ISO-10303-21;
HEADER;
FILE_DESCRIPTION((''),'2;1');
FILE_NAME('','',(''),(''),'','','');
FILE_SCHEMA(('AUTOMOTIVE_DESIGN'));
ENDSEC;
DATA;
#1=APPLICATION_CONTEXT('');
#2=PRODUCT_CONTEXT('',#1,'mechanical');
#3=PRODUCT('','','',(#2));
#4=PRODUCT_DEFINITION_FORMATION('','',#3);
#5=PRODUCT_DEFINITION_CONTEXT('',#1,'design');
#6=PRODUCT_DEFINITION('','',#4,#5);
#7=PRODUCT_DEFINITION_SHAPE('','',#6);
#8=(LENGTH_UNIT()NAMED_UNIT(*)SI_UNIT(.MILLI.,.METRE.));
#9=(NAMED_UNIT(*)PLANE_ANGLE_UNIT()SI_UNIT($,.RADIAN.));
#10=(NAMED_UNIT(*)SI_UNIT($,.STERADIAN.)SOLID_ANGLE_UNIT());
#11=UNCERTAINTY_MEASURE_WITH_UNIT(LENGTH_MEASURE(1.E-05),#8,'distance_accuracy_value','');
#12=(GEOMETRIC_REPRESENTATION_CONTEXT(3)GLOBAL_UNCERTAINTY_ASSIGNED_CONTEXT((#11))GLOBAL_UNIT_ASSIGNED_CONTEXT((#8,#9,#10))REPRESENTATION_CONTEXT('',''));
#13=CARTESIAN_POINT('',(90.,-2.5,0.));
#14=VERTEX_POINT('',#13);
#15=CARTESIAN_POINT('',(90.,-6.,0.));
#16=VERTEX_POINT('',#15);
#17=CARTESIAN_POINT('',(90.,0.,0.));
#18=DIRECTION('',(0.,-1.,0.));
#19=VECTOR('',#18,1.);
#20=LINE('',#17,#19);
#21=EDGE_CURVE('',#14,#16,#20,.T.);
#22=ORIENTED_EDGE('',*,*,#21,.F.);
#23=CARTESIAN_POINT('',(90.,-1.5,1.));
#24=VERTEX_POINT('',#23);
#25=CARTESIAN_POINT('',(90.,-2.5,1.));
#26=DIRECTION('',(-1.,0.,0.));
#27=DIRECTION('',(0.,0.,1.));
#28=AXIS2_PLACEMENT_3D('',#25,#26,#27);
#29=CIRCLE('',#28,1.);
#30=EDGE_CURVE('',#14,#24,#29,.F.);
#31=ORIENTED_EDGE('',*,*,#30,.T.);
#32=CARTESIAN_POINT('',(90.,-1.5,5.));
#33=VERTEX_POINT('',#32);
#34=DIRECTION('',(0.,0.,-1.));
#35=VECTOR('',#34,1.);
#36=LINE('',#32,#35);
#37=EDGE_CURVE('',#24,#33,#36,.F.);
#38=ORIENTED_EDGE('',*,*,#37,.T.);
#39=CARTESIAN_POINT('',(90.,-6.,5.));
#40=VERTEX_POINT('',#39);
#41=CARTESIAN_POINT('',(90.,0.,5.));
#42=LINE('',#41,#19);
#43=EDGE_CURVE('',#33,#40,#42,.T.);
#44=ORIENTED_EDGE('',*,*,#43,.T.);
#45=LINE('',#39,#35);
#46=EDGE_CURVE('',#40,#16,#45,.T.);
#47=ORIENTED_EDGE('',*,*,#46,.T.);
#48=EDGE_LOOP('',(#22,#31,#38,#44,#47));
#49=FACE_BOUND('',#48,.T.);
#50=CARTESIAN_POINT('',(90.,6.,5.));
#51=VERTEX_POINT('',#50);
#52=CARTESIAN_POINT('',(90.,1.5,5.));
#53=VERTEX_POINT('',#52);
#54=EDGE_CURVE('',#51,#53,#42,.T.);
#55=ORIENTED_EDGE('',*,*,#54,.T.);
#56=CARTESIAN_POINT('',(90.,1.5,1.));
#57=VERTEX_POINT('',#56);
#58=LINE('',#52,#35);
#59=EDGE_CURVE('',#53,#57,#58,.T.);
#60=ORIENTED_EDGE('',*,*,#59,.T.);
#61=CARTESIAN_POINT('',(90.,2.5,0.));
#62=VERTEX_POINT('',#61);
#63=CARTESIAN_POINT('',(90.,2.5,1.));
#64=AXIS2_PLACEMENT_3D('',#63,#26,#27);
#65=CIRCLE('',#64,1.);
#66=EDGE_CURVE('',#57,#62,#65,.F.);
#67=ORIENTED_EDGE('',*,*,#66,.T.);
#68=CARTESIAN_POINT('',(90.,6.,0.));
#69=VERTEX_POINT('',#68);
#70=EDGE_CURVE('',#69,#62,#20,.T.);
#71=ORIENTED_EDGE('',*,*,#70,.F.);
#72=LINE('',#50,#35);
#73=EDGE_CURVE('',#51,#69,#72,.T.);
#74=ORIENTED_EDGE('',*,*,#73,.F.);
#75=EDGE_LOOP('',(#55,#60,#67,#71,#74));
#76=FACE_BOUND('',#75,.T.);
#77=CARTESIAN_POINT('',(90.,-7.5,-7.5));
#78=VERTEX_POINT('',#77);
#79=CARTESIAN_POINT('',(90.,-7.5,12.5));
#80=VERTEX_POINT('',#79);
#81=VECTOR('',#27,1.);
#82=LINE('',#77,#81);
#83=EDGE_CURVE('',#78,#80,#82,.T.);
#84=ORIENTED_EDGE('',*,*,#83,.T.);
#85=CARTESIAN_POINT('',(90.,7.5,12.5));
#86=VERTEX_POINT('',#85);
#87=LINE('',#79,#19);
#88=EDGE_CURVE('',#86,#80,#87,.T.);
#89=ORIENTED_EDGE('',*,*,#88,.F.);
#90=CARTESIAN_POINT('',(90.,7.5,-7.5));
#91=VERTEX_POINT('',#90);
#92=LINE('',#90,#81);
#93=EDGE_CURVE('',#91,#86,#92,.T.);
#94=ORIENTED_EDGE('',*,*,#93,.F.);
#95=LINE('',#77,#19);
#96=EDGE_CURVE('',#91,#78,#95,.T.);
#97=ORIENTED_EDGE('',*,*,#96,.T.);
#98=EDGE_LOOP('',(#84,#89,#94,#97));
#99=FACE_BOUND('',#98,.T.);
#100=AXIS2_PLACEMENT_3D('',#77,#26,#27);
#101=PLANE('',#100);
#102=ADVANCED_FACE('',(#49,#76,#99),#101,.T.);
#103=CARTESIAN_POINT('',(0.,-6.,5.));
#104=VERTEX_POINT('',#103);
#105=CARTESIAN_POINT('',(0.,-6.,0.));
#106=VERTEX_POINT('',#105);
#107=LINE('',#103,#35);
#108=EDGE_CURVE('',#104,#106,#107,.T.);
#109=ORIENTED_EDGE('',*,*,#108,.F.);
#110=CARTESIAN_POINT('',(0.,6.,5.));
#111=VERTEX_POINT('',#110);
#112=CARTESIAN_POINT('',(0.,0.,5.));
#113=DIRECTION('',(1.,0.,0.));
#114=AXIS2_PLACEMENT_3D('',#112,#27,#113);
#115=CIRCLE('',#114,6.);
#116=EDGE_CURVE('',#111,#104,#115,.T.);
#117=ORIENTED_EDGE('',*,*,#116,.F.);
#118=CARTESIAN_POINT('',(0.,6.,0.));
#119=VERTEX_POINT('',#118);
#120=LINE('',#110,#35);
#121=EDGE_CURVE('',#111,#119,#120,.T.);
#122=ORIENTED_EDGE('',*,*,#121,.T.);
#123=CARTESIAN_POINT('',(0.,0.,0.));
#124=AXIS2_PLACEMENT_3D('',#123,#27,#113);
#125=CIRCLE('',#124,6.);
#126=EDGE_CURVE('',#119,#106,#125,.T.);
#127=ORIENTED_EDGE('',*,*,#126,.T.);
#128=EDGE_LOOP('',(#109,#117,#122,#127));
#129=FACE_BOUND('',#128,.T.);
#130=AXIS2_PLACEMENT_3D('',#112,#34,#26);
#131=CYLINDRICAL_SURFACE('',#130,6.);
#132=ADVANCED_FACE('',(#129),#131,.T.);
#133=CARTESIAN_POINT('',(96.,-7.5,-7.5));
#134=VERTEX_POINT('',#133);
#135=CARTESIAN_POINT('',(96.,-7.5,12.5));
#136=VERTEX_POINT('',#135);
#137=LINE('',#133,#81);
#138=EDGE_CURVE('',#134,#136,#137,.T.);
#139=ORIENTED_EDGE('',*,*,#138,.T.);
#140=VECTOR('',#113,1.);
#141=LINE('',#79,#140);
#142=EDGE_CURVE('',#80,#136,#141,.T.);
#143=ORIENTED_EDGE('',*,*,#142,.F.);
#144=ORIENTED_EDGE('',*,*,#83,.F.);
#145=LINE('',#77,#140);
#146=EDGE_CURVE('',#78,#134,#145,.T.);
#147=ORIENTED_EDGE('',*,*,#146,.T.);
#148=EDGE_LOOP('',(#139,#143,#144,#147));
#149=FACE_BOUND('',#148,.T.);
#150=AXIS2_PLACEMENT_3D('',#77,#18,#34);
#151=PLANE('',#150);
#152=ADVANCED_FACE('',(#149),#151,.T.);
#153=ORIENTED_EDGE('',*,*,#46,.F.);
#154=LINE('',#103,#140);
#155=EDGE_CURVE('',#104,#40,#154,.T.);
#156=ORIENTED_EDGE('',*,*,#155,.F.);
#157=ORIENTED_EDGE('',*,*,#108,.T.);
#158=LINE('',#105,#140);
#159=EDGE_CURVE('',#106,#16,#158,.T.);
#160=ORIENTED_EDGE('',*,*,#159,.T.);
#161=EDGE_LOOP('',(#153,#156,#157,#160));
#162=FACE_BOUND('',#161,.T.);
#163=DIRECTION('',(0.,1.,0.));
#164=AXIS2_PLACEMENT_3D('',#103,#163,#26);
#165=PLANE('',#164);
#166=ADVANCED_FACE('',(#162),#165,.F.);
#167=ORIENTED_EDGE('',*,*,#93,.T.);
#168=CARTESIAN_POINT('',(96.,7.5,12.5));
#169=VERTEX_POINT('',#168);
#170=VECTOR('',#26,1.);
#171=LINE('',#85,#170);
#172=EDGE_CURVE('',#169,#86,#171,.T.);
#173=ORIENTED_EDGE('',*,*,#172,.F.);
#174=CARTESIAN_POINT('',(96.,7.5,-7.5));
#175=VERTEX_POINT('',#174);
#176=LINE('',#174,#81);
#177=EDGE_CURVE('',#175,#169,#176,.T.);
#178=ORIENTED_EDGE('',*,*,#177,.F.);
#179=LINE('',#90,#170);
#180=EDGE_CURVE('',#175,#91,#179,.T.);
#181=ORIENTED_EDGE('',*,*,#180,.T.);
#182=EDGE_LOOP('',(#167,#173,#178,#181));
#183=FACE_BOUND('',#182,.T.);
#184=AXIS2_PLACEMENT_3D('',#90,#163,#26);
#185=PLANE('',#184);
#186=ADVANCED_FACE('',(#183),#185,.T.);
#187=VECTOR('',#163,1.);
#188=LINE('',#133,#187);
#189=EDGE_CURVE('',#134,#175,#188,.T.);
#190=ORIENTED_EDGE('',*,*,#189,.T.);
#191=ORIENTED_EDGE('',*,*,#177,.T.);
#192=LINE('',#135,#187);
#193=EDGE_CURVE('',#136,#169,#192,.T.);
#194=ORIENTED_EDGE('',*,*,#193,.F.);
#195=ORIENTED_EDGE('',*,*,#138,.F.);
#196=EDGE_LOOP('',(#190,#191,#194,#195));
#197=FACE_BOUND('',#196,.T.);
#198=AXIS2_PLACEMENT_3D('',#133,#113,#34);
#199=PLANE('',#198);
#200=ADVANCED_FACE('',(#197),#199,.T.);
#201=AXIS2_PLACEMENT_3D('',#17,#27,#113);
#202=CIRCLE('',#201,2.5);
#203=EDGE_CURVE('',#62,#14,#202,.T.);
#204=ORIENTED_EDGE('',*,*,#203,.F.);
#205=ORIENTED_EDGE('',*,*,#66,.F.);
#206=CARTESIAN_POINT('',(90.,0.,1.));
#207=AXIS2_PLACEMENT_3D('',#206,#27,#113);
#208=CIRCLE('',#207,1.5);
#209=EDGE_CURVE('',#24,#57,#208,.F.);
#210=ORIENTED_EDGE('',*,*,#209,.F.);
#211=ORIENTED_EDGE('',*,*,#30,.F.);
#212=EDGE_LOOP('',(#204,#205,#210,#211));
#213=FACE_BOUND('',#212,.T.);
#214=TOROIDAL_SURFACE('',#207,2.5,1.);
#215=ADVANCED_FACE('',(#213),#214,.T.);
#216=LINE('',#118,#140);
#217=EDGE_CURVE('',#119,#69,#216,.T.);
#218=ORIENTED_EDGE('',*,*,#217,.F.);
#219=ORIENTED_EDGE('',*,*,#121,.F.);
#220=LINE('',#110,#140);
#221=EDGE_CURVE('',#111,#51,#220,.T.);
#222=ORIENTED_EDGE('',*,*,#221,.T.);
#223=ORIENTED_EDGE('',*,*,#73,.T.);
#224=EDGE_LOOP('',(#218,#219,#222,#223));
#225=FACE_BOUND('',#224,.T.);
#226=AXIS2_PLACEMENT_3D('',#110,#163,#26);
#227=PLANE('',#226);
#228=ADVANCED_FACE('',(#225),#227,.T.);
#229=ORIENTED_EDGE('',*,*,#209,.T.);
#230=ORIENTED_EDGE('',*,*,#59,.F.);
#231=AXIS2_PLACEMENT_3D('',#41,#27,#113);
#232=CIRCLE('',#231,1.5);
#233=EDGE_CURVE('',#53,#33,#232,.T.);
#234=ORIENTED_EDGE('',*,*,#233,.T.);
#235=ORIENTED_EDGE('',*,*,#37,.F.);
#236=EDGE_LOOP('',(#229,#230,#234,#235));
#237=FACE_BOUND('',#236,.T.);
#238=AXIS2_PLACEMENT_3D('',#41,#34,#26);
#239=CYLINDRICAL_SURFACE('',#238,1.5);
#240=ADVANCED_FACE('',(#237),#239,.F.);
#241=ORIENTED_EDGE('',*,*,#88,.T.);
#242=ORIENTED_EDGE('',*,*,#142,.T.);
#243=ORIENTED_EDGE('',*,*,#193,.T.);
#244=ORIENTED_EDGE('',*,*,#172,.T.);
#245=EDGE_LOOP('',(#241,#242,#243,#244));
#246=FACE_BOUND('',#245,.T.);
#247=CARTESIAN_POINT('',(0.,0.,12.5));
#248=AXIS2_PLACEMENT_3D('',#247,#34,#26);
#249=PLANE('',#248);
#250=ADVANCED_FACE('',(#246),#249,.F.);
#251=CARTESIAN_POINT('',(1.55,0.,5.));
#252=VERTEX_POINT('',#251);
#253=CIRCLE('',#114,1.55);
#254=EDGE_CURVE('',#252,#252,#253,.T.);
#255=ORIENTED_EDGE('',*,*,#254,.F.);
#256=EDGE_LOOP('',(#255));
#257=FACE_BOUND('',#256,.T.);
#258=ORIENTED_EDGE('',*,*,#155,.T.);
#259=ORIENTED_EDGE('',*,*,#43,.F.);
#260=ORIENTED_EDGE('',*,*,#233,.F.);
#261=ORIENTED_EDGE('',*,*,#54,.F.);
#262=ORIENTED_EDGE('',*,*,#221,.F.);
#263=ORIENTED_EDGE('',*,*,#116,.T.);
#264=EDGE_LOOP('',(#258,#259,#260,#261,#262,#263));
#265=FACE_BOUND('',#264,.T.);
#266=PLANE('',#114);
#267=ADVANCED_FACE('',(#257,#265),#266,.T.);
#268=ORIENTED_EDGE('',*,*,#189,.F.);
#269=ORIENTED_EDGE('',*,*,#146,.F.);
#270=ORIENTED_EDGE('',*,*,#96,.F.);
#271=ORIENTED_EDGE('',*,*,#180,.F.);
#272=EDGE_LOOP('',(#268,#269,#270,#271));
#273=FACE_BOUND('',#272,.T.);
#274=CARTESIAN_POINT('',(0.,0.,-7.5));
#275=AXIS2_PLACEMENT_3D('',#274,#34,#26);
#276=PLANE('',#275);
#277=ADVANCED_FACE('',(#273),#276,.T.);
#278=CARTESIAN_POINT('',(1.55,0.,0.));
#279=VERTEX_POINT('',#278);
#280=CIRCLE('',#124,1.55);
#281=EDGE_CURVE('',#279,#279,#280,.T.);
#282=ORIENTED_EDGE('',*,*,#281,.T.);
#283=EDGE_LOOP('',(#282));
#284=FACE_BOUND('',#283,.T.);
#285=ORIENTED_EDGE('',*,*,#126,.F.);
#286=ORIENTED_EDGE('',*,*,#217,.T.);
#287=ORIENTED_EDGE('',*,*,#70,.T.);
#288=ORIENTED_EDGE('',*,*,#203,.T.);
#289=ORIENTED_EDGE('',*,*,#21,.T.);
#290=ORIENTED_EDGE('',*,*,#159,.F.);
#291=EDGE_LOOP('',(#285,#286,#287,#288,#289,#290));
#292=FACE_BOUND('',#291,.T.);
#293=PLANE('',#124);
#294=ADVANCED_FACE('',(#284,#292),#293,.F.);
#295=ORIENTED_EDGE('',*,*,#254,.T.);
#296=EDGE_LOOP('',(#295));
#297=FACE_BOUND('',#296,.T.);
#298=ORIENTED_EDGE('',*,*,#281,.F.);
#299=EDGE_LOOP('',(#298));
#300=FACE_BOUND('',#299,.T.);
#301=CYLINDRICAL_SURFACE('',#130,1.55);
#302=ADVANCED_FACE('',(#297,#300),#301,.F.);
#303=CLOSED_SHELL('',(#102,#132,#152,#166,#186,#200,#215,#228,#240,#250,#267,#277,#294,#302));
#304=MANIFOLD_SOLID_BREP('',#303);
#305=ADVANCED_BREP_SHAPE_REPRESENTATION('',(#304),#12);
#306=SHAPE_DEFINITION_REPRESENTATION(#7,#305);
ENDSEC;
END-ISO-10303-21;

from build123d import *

# Parameters (mm, degrees)
SKETCH1_R           = 1.55
SKETCH1_R_2         = 1.5
BOSS_EXTRUDE1_DEPTH = 5
FILLET3_R           = 1
BOSS_EXTRUDE2_START = 7.5
SKETCH4_W           = 6
SKETCH4_H           = 15
BOSS_EXTRUDE2_DEPTH = 20


with BuildPart() as part:
    # Sketch1 → Boss-Extrude1 (new body)
    with BuildSketch(Plane.XY):
        with BuildLine():
            ThreePointArc((0, 6), (-6, 0), (0, -6))
            Line((0, -6), (90, -6))
            ThreePointArc((90, -6), (96, 0), (90, 6))
            Line((90, 6), (0, 6))
        make_face()
        Circle(SKETCH1_R, mode=Mode.SUBTRACT)
        with Locations((90, 0)):
            Circle(SKETCH1_R_2, mode=Mode.SUBTRACT)
    extrude(amount=BOSS_EXTRUDE1_DEPTH)

    # Fillet3
    fillet3_edges = [part.edges().sort_by_distance(p)[0] for p in [
        (88.5, 0, 0),
    ]]
    fillet(fillet3_edges, radius=FILLET3_R)

    # Sketch4 → Boss-Extrude2 (add)
    with BuildSketch(Plane.XY.offset(5).offset(BOSS_EXTRUDE2_START)):
        with Locations((93, 0)):
            Rectangle(SKETCH4_W, SKETCH4_H)
    extrude(amount=-BOSS_EXTRUDE2_DEPTH)


solid = part.part
